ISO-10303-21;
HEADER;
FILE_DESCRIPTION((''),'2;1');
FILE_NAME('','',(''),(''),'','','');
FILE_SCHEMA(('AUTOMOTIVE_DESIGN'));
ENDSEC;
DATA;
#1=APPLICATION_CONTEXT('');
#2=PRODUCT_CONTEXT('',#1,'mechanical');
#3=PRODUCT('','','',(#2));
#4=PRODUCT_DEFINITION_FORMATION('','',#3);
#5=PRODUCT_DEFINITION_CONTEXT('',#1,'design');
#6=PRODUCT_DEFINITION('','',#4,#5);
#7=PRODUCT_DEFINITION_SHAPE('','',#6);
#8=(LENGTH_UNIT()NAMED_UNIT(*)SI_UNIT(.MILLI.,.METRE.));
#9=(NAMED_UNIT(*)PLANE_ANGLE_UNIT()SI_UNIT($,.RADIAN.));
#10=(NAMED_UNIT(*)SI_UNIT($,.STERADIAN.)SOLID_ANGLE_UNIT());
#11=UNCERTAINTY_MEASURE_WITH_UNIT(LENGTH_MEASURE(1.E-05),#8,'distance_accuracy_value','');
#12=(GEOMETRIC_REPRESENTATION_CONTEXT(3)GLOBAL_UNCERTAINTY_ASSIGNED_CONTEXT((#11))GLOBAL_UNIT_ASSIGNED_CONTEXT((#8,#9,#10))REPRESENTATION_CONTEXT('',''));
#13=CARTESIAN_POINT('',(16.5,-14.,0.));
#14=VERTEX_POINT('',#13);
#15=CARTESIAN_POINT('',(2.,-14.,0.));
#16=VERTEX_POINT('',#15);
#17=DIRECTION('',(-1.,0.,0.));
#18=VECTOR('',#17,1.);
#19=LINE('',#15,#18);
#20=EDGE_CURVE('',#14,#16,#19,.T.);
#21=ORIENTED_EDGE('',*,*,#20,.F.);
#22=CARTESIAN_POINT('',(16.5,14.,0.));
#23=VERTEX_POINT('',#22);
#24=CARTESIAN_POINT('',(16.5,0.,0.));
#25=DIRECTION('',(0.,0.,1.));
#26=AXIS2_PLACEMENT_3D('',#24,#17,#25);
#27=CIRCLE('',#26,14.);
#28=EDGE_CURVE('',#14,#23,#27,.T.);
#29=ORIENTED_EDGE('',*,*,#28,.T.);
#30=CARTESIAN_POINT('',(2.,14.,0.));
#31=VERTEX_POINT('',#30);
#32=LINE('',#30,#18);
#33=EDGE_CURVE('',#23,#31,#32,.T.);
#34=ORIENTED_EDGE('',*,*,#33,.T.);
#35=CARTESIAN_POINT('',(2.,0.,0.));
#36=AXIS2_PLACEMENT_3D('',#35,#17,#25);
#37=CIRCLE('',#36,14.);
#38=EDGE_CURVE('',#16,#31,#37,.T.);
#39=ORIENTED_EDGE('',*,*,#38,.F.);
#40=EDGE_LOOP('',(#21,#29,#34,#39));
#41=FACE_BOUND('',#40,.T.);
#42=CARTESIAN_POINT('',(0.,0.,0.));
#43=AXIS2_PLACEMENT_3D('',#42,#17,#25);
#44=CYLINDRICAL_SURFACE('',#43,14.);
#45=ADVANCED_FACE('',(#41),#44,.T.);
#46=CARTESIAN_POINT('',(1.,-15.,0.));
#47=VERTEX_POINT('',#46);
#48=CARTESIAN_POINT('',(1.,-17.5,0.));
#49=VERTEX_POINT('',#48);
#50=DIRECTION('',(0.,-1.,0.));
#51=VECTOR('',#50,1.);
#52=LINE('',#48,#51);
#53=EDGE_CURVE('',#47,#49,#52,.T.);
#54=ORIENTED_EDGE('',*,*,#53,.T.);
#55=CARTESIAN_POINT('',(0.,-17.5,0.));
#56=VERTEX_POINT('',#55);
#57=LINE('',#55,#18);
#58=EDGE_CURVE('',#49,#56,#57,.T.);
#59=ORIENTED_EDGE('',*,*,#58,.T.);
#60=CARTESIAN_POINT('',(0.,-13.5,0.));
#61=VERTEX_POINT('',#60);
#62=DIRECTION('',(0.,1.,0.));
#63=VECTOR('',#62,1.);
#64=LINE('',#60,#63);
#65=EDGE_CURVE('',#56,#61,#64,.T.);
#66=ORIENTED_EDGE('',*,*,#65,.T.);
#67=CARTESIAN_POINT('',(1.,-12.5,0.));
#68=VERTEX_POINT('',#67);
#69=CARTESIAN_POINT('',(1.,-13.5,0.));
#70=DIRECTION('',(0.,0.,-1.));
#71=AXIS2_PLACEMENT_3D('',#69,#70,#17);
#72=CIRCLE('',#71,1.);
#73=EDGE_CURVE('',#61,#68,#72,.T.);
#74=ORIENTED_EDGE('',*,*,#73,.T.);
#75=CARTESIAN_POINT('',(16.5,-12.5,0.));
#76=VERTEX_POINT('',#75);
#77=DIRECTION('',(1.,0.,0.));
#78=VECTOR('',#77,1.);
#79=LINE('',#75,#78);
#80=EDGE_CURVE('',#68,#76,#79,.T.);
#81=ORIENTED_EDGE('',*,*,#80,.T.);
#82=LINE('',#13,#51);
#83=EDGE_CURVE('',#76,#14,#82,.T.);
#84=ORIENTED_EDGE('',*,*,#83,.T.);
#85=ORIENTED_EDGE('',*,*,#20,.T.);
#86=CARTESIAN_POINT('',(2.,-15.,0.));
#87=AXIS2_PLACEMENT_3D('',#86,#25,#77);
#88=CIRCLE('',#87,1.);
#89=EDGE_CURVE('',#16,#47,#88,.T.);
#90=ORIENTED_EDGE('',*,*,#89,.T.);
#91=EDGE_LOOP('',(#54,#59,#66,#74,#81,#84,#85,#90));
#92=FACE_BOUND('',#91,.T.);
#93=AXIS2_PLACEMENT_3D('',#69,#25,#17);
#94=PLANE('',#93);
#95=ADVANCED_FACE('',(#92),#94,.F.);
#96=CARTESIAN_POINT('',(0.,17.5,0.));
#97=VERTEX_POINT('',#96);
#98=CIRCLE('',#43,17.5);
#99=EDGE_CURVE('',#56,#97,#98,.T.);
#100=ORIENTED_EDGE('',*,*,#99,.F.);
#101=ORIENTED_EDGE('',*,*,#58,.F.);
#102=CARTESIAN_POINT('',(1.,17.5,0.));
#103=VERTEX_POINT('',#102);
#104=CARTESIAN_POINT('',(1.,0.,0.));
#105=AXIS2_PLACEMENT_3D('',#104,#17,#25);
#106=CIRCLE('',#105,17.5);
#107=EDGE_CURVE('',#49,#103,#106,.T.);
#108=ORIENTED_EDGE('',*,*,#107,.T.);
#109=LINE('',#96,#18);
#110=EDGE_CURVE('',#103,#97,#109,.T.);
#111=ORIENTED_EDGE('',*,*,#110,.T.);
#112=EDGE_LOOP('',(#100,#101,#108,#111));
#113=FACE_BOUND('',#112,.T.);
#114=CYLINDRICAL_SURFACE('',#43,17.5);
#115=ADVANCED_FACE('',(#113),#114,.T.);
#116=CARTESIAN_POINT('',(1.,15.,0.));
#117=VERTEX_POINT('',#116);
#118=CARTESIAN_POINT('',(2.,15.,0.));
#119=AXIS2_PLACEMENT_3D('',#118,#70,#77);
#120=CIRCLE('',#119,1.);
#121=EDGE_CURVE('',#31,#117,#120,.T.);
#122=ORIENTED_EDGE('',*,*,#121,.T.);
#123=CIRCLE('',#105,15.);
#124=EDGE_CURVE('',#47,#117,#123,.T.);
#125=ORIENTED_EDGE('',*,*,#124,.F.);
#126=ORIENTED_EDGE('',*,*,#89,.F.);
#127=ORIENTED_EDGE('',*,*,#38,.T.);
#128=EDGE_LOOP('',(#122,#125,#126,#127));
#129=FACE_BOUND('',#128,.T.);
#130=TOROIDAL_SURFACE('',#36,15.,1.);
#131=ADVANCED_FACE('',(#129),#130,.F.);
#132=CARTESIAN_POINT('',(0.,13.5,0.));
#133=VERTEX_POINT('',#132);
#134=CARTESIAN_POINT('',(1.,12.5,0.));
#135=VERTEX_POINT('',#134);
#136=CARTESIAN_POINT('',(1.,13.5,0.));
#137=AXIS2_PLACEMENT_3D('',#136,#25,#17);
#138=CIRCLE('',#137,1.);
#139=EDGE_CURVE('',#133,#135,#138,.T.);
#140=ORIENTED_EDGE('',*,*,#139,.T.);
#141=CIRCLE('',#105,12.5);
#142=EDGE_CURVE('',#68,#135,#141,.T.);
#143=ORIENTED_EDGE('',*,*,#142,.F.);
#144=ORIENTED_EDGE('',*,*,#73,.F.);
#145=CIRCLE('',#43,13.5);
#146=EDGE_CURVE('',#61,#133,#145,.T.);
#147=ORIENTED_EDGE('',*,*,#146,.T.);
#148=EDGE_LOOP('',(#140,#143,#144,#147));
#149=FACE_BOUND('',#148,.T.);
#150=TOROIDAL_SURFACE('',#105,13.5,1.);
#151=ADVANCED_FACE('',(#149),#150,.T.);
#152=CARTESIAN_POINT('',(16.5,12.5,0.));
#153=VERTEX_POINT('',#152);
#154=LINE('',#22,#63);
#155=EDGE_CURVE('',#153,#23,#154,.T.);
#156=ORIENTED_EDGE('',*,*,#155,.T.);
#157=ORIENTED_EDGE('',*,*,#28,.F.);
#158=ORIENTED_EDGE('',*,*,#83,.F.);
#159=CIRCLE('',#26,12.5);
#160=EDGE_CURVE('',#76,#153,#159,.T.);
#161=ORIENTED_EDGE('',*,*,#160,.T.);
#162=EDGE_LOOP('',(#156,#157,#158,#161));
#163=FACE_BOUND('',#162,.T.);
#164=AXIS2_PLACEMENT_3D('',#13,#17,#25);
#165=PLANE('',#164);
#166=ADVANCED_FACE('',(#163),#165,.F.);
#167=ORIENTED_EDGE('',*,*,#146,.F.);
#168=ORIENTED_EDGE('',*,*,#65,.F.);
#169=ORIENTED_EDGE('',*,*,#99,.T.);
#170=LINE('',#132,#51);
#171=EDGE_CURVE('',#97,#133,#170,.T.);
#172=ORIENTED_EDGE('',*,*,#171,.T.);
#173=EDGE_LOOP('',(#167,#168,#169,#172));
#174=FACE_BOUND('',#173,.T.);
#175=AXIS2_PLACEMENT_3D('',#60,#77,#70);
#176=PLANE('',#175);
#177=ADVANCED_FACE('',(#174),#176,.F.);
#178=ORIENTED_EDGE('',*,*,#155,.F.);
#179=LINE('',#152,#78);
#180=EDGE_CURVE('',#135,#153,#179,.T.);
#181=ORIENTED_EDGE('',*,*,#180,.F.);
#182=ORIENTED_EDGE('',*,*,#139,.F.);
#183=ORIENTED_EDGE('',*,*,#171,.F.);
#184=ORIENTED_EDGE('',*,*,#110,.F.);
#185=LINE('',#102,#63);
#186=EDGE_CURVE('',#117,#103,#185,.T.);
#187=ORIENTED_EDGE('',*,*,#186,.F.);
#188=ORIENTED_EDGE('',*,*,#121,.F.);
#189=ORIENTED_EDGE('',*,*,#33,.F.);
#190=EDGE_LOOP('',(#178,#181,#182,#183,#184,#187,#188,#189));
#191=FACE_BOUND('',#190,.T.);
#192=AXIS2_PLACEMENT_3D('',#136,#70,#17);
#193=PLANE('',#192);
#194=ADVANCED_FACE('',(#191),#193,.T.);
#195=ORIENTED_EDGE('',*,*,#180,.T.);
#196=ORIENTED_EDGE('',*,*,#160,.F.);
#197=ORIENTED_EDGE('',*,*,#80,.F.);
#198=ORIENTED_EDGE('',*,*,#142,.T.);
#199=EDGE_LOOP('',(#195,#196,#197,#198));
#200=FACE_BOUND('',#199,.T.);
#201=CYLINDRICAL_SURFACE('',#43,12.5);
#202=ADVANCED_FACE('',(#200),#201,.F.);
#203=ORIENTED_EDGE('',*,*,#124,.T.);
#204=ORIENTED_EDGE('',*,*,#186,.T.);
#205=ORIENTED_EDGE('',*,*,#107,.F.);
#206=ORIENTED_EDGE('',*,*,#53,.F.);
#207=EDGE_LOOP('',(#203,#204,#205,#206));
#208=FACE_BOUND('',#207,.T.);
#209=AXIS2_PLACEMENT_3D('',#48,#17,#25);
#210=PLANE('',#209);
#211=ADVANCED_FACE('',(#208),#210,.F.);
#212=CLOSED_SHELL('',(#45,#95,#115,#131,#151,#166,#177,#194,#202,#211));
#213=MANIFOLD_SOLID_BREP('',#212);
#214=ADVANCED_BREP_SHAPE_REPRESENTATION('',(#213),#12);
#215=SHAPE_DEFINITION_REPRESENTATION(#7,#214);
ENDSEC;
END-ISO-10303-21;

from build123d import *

# Parameters (mm, degrees)
OBR_T1_ANGLE = 180


with BuildPart() as part:
    # Szkic1 → Obrót1 (revolve)
    with BuildSketch(Plane.XY):
        with BuildLine():
            Line((16.5, 12.5), (1, 12.5))
            ThreePointArc((1, 12.5), (0.292893219, 12.792893219), (0, 13.5))
            Line((0, 13.5), (0, 17.5))
            Line((0, 17.5), (1, 17.5))
            Line((1, 17.5), (1, 15))
            ThreePointArc((1, 15), (1.292893219, 14.292893219), (2, 14))
            Line((2, 14), (16.5, 14))
            Line((16.5, 14), (16.5, 12.5))
        make_face()
    revolve(axis=Axis((0, 0, 0), (1, 0, 0)), revolution_arc=OBR_T1_ANGLE)


solid = part.part
